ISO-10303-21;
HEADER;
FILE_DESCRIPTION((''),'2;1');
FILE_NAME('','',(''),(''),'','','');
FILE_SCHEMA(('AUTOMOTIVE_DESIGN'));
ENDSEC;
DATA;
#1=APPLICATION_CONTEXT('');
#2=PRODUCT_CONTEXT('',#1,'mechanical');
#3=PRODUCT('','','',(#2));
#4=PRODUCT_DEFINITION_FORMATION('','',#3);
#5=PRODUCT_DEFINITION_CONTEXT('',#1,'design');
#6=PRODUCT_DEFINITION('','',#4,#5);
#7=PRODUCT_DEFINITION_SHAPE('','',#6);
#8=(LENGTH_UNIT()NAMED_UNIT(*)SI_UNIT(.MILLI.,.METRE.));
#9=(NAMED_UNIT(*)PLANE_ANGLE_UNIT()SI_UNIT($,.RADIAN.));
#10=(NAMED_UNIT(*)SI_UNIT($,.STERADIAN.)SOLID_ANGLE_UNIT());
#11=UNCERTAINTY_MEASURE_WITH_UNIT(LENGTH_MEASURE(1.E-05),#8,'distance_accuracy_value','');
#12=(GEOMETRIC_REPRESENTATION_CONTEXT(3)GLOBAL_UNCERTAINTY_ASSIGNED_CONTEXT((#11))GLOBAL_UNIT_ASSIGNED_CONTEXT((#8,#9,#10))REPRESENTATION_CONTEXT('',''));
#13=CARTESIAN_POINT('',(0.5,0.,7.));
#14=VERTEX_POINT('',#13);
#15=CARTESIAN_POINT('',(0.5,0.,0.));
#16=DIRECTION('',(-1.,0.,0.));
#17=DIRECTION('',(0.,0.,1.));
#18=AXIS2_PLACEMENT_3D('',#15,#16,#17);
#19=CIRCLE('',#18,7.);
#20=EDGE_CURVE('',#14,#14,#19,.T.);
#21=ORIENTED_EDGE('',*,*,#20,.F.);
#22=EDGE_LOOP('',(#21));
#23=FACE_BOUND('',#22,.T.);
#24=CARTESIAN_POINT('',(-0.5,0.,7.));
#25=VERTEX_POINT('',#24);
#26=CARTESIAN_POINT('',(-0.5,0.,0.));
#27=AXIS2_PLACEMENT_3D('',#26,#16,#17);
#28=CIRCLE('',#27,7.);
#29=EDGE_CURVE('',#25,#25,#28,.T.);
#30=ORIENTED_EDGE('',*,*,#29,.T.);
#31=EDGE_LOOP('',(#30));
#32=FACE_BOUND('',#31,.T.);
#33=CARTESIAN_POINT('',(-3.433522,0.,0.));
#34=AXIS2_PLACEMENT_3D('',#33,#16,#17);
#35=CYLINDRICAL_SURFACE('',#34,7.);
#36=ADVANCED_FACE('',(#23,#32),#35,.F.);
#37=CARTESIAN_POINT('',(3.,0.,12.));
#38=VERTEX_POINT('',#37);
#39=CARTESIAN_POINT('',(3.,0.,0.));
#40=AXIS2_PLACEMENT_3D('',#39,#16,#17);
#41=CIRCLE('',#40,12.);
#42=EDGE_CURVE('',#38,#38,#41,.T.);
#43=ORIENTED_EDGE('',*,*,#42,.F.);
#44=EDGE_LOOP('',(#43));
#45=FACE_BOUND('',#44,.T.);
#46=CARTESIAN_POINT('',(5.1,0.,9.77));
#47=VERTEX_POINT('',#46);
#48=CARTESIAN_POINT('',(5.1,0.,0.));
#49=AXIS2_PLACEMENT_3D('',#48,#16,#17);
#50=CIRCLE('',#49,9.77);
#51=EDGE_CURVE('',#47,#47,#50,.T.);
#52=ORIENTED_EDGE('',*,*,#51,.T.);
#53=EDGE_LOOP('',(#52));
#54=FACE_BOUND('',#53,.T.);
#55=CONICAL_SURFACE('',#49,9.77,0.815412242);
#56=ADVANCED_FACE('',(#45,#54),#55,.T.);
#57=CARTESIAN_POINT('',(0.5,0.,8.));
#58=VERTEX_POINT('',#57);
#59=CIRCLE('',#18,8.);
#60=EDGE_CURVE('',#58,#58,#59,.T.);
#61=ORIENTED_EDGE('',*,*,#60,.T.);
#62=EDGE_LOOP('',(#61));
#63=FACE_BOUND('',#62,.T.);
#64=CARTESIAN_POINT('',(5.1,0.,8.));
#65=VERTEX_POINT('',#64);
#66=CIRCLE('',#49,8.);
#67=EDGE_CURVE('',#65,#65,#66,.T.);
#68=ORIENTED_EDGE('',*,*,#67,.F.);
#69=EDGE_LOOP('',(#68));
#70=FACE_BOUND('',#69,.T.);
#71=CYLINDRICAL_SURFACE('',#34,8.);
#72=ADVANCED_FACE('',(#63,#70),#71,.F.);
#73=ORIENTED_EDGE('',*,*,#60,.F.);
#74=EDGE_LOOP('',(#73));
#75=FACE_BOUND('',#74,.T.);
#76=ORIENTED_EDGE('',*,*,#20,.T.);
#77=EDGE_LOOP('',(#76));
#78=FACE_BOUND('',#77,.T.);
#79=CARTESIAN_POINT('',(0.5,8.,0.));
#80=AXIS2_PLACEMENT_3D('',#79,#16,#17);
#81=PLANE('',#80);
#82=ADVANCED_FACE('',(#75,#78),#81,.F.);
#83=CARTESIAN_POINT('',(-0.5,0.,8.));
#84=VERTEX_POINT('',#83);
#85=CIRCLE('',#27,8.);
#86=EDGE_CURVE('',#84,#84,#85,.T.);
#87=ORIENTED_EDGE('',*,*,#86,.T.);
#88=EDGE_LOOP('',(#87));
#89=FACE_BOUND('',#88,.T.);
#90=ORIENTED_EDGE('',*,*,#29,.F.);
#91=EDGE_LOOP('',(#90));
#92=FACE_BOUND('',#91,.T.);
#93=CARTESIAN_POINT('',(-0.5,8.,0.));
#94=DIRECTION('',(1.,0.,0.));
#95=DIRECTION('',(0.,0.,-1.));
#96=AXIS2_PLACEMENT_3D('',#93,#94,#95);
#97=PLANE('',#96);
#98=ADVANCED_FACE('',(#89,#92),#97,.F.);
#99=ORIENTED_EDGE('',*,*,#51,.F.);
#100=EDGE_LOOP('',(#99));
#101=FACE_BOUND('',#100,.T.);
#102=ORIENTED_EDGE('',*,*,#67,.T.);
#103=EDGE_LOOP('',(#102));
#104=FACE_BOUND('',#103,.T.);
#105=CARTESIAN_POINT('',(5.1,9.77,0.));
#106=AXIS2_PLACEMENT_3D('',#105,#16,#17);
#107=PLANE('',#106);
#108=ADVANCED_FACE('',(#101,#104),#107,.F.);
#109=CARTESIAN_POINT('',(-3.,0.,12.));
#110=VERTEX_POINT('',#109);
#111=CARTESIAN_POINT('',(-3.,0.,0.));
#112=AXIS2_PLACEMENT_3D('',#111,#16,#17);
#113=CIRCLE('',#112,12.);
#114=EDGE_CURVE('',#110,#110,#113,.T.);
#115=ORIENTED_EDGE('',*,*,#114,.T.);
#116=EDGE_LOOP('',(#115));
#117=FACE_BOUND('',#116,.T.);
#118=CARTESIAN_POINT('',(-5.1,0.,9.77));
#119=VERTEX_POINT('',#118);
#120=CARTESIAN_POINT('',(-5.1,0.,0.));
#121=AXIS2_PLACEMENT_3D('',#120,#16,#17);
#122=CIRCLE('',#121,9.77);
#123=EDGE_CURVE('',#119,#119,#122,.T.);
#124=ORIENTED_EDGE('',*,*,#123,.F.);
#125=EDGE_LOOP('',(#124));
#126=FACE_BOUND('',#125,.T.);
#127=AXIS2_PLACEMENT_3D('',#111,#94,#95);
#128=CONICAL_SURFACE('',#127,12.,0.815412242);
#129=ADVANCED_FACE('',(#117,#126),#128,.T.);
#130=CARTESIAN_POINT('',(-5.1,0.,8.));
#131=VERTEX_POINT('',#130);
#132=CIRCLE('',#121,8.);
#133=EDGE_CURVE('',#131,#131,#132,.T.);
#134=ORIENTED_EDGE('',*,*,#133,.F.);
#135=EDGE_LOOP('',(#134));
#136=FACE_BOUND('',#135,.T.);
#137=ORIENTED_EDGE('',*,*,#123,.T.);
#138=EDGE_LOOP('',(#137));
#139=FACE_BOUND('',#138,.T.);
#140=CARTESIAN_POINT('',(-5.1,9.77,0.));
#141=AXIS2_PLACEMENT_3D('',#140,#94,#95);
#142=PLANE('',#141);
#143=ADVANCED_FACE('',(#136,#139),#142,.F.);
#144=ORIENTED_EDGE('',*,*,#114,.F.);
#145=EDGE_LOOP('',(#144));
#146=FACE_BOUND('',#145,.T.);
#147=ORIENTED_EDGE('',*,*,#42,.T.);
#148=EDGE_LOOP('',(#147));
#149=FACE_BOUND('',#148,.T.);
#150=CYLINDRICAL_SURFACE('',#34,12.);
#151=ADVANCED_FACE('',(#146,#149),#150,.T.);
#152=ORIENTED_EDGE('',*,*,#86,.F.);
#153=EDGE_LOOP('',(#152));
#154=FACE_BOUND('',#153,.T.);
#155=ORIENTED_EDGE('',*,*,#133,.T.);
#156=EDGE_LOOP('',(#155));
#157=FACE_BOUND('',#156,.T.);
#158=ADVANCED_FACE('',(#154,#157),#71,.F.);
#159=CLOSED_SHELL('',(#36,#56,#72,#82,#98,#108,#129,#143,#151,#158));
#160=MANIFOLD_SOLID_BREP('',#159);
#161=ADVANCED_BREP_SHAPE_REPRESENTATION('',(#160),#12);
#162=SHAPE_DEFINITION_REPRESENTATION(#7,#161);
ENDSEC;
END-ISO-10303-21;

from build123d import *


with BuildPart() as part:
    # Sketch1 → Revolve1 (revolve)
    with BuildSketch(Plane.XY):
        Polygon((-3, 12), (3, 12), (5.1, 9.77), (5.1, 8), (0.5, 8), (0.5, 7), (-0.5, 7), (-0.5, 8), (-5.1, 8), (-5.1, 9.77), align=None)
    revolve(axis=Axis((-3.433522218, 0, 0), (1, 0, 0)))


solid = part.part
